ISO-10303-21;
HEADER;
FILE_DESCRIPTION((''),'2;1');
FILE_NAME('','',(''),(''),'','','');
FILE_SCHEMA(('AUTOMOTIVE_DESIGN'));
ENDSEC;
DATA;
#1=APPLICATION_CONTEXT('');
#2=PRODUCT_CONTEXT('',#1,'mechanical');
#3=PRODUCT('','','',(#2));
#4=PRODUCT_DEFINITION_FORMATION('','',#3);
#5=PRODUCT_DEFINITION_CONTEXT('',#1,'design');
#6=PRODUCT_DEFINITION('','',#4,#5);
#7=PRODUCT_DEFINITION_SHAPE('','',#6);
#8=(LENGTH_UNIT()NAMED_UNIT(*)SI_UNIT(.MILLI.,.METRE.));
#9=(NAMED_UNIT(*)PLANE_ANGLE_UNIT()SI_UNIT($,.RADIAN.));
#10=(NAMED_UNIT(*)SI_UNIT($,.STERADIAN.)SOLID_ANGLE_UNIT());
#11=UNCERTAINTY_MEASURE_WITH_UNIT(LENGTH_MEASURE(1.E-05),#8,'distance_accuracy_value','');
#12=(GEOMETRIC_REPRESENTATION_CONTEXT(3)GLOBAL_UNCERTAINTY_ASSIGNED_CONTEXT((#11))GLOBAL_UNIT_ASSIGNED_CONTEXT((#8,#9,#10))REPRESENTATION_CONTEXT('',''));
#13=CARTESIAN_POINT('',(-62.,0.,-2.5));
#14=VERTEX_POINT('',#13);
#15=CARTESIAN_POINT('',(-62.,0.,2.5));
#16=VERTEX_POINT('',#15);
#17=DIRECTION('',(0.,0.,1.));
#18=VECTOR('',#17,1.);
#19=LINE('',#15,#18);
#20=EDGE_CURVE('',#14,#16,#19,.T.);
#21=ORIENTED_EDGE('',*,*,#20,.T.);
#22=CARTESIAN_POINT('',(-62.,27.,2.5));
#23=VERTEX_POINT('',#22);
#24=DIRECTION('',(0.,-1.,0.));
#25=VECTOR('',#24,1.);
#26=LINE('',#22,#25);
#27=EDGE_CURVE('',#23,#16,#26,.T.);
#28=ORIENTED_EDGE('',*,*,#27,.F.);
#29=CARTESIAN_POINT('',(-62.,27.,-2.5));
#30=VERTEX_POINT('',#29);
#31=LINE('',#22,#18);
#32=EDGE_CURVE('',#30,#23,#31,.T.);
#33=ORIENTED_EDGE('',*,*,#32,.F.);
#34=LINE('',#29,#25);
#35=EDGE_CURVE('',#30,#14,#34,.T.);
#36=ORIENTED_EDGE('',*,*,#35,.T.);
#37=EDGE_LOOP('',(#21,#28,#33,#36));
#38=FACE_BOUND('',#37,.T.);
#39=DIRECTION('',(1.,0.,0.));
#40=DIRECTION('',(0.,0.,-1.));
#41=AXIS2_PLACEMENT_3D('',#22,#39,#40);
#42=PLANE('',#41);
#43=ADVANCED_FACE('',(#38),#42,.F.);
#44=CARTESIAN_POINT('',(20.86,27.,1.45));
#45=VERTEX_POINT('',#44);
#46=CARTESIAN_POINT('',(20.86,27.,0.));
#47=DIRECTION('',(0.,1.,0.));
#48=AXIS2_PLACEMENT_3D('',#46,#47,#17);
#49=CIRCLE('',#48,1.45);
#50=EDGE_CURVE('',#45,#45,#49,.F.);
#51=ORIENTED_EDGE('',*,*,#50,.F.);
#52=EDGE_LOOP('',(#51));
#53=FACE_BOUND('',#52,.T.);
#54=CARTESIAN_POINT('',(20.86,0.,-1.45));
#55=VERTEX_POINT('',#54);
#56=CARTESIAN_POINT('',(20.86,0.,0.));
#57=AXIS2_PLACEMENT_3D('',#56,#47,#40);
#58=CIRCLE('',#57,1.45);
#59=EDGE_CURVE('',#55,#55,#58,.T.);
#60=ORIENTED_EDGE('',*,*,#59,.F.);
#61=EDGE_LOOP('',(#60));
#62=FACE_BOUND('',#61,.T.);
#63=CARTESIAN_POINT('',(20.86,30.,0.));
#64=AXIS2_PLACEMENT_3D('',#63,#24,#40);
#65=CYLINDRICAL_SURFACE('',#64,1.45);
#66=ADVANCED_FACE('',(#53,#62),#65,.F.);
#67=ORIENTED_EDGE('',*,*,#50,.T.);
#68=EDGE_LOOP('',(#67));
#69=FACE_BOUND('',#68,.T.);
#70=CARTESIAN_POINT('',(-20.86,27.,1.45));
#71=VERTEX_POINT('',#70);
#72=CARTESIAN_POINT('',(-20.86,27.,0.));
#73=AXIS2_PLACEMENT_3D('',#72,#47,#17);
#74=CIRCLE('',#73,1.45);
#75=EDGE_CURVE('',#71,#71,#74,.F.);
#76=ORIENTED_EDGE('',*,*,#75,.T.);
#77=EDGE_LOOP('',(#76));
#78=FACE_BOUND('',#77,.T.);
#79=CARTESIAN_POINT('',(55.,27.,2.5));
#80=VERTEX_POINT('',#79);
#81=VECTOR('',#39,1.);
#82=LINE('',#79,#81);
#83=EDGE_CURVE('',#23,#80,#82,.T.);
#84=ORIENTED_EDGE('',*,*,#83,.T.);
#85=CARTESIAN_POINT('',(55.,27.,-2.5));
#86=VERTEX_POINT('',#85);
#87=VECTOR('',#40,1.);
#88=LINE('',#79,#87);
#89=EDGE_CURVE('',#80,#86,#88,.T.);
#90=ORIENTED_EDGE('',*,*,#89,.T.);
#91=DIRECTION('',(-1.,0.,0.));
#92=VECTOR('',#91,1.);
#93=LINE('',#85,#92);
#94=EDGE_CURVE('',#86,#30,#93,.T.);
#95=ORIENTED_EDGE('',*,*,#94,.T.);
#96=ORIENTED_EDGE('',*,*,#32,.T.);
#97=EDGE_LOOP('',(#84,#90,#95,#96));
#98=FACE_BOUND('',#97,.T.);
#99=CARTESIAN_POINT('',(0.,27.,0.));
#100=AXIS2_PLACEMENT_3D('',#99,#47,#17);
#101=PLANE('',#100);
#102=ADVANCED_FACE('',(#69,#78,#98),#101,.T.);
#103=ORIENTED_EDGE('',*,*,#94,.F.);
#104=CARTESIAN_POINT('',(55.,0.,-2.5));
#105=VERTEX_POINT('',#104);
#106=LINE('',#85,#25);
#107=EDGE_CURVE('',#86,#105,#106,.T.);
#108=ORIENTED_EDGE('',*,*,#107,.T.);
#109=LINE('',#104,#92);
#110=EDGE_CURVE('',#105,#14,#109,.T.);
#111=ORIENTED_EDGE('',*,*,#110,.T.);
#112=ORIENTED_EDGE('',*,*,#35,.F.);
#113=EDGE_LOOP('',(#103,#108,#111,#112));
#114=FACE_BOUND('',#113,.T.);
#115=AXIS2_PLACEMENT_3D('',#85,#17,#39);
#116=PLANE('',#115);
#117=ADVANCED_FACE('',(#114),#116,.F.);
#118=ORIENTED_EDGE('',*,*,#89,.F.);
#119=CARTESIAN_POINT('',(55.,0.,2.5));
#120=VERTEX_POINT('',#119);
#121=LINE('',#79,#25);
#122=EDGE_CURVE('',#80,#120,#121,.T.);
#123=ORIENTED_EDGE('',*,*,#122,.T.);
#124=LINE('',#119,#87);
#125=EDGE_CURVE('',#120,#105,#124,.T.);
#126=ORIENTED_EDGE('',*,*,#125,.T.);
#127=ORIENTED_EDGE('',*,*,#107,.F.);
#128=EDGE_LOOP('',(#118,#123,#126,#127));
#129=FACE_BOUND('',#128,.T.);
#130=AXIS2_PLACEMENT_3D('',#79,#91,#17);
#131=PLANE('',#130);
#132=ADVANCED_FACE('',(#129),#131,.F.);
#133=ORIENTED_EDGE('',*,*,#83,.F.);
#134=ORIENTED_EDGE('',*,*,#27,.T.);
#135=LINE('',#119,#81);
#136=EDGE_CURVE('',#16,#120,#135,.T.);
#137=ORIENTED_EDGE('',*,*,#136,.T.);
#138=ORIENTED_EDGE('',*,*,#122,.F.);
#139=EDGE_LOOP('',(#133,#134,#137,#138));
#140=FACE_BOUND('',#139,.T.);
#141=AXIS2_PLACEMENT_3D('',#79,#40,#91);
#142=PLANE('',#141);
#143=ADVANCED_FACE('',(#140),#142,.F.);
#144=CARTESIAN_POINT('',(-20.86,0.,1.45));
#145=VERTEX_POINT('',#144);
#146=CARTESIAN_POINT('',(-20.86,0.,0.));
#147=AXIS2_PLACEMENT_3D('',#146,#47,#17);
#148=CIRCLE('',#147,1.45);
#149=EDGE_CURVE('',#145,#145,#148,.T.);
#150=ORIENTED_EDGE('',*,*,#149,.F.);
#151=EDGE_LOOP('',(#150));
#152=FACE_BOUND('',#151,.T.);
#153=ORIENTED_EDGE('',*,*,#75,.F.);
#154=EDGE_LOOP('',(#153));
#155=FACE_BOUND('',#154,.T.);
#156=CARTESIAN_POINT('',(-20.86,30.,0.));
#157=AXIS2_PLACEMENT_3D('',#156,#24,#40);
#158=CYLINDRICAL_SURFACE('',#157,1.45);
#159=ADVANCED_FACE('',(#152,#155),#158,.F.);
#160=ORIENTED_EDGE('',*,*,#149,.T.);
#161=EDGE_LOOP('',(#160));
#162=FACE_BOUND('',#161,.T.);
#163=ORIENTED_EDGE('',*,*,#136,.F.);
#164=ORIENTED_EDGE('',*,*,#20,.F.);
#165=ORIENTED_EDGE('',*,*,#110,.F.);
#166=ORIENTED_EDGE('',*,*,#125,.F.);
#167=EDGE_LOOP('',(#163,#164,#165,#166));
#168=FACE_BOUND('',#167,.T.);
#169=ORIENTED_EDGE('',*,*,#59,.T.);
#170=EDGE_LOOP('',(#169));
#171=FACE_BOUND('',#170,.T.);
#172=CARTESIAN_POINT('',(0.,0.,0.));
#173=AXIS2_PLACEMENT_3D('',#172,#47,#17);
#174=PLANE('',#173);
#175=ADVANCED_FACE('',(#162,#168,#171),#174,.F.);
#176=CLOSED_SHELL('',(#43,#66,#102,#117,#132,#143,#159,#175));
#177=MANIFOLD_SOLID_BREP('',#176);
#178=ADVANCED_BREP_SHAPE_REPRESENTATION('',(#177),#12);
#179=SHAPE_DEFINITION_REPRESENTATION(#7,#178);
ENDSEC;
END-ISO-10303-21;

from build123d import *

# Parameters (mm, degrees)
SKETCH_1_W          = 117
SKETCH_1_H          = 5
EXTRUDE_1_DEPTH     = 27
SKETCH_2_R          = 1.45
CUT_EXTRUDE_1_DEPTH = 30


with BuildPart() as part:
    # 草图1 → 凸台-拉伸1 (new body)
    with BuildSketch(Plane(origin=(0, 0, 0), x_dir=(1, 0, 0), z_dir=(0, 1, 0))):
        with Locations((-3.5, 0)):
            Rectangle(SKETCH_1_W, SKETCH_1_H)
    extrude(amount=EXTRUDE_1_DEPTH)

    # 草图2 → 切除-拉伸1 (cut)
    with BuildSketch(Plane(origin=(0, 0, 0), x_dir=(1, 0, 0), z_dir=(0, 1, 0))):
        with Locations(Location((-20.86, 0, 0), (0, 0, 270))):
            Circle(SKETCH_2_R)
        with Locations(Location((20.86, 0, 0), (0, 0, 90))):
            Circle(SKETCH_2_R)
    extrude(amount=CUT_EXTRUDE_1_DEPTH, mode=Mode.SUBTRACT)


solid = part.part
